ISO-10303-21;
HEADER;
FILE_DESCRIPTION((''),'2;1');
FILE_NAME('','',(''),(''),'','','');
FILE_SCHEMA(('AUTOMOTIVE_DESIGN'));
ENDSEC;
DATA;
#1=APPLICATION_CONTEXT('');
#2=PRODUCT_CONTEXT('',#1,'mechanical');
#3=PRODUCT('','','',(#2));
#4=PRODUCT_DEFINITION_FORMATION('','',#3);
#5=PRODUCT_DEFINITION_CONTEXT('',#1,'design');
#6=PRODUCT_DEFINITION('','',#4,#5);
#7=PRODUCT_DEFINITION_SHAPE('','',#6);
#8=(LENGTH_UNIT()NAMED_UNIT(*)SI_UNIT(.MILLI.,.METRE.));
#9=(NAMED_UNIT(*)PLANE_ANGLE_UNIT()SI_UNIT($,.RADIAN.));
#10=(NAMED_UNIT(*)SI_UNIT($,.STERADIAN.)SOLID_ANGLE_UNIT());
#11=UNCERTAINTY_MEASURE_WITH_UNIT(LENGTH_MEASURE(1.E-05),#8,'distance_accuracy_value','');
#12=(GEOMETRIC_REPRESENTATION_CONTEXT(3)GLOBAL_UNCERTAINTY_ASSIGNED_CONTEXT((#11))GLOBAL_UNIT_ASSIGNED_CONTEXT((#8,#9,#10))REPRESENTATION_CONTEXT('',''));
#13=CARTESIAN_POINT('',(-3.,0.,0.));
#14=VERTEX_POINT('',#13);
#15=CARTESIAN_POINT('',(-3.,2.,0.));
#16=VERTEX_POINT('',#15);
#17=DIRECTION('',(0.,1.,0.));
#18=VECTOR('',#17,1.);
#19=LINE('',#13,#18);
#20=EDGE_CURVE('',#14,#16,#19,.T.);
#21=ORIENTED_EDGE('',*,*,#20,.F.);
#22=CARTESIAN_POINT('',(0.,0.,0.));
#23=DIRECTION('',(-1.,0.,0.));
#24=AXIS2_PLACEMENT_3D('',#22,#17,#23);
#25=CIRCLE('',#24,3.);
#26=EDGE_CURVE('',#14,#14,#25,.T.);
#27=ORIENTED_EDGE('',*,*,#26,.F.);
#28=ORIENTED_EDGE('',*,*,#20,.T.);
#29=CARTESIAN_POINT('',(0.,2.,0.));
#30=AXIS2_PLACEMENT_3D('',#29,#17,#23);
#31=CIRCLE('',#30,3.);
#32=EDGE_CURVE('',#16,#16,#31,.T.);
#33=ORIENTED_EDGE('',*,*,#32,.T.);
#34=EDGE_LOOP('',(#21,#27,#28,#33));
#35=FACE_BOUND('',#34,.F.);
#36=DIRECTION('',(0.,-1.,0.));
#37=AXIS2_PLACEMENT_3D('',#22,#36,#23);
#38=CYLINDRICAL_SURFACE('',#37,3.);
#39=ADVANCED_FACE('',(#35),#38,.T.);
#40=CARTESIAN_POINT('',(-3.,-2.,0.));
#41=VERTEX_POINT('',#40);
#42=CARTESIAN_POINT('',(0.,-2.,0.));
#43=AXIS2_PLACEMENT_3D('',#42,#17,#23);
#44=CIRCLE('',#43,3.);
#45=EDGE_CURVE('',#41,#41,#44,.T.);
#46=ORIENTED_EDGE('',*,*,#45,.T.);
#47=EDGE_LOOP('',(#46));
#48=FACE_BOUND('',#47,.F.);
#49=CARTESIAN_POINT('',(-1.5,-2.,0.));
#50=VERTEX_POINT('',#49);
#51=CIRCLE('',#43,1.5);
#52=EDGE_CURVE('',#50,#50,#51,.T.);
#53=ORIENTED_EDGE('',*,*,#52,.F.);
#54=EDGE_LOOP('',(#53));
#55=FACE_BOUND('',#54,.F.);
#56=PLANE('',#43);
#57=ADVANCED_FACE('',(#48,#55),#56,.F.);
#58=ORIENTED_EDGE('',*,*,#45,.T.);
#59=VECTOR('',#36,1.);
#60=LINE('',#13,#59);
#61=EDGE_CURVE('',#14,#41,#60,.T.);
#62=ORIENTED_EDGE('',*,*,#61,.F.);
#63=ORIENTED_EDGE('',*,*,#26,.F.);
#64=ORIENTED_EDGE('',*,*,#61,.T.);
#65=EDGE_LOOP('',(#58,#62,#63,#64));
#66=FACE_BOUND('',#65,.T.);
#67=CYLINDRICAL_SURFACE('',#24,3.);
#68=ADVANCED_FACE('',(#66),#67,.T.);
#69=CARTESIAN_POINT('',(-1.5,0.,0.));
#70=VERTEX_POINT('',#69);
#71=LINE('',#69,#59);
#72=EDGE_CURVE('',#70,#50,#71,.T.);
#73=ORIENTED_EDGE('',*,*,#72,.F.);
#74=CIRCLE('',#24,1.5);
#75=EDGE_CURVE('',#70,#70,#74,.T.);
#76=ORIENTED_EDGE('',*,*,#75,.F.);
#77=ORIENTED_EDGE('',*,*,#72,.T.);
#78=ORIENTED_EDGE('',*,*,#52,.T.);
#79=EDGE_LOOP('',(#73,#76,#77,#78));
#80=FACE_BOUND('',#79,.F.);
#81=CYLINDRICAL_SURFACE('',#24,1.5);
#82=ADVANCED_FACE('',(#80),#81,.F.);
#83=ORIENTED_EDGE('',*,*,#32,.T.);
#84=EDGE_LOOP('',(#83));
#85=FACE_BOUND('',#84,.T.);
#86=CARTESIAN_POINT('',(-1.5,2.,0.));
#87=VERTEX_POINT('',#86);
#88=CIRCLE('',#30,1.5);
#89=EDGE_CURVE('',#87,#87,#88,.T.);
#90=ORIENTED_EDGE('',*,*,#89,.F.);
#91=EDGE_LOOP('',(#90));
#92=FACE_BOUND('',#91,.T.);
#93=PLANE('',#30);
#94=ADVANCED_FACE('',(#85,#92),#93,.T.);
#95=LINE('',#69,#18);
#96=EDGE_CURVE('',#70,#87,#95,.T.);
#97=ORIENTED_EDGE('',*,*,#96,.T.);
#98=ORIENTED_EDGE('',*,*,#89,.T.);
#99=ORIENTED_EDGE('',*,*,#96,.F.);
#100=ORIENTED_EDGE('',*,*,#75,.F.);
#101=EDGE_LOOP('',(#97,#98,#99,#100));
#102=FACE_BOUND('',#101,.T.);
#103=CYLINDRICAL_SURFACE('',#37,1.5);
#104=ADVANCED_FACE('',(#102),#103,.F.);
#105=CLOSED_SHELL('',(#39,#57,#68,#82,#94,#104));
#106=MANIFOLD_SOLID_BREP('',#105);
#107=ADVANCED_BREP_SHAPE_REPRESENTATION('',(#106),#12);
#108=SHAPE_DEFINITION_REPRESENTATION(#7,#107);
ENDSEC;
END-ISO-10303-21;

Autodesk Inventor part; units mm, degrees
ref_plane "YZ Plane" through (0, 0, 0) normal (1, 0, 0) x (0, 1, 0)
ref_plane "XZ Plane" through (0, 0, 0) normal (0, 1, 0) x (-1, 0, 0)
ref_plane "XY Plane" through (0, 0, 0) normal (0, 0, 1) x (1, 0, 0)
sketch "Sketch1" plane through (0, 0, 0) normal (0, 1, 0) x (-1, 0, 0)
  circle A0 centre (0, 0) radius 1.5
  circle A1 centre (0, 0) radius 3
  dimension "d0" = 3
  dimension "d1" = 6
extrude "Extrusion1" add sketch "Sketch1" along normal mid plane 4
ref_plane "Work Plane1" through (0, 0, 0) normal (0, 1, 0) x (1, 0, 0)
properties part number "pinch_wheel"
